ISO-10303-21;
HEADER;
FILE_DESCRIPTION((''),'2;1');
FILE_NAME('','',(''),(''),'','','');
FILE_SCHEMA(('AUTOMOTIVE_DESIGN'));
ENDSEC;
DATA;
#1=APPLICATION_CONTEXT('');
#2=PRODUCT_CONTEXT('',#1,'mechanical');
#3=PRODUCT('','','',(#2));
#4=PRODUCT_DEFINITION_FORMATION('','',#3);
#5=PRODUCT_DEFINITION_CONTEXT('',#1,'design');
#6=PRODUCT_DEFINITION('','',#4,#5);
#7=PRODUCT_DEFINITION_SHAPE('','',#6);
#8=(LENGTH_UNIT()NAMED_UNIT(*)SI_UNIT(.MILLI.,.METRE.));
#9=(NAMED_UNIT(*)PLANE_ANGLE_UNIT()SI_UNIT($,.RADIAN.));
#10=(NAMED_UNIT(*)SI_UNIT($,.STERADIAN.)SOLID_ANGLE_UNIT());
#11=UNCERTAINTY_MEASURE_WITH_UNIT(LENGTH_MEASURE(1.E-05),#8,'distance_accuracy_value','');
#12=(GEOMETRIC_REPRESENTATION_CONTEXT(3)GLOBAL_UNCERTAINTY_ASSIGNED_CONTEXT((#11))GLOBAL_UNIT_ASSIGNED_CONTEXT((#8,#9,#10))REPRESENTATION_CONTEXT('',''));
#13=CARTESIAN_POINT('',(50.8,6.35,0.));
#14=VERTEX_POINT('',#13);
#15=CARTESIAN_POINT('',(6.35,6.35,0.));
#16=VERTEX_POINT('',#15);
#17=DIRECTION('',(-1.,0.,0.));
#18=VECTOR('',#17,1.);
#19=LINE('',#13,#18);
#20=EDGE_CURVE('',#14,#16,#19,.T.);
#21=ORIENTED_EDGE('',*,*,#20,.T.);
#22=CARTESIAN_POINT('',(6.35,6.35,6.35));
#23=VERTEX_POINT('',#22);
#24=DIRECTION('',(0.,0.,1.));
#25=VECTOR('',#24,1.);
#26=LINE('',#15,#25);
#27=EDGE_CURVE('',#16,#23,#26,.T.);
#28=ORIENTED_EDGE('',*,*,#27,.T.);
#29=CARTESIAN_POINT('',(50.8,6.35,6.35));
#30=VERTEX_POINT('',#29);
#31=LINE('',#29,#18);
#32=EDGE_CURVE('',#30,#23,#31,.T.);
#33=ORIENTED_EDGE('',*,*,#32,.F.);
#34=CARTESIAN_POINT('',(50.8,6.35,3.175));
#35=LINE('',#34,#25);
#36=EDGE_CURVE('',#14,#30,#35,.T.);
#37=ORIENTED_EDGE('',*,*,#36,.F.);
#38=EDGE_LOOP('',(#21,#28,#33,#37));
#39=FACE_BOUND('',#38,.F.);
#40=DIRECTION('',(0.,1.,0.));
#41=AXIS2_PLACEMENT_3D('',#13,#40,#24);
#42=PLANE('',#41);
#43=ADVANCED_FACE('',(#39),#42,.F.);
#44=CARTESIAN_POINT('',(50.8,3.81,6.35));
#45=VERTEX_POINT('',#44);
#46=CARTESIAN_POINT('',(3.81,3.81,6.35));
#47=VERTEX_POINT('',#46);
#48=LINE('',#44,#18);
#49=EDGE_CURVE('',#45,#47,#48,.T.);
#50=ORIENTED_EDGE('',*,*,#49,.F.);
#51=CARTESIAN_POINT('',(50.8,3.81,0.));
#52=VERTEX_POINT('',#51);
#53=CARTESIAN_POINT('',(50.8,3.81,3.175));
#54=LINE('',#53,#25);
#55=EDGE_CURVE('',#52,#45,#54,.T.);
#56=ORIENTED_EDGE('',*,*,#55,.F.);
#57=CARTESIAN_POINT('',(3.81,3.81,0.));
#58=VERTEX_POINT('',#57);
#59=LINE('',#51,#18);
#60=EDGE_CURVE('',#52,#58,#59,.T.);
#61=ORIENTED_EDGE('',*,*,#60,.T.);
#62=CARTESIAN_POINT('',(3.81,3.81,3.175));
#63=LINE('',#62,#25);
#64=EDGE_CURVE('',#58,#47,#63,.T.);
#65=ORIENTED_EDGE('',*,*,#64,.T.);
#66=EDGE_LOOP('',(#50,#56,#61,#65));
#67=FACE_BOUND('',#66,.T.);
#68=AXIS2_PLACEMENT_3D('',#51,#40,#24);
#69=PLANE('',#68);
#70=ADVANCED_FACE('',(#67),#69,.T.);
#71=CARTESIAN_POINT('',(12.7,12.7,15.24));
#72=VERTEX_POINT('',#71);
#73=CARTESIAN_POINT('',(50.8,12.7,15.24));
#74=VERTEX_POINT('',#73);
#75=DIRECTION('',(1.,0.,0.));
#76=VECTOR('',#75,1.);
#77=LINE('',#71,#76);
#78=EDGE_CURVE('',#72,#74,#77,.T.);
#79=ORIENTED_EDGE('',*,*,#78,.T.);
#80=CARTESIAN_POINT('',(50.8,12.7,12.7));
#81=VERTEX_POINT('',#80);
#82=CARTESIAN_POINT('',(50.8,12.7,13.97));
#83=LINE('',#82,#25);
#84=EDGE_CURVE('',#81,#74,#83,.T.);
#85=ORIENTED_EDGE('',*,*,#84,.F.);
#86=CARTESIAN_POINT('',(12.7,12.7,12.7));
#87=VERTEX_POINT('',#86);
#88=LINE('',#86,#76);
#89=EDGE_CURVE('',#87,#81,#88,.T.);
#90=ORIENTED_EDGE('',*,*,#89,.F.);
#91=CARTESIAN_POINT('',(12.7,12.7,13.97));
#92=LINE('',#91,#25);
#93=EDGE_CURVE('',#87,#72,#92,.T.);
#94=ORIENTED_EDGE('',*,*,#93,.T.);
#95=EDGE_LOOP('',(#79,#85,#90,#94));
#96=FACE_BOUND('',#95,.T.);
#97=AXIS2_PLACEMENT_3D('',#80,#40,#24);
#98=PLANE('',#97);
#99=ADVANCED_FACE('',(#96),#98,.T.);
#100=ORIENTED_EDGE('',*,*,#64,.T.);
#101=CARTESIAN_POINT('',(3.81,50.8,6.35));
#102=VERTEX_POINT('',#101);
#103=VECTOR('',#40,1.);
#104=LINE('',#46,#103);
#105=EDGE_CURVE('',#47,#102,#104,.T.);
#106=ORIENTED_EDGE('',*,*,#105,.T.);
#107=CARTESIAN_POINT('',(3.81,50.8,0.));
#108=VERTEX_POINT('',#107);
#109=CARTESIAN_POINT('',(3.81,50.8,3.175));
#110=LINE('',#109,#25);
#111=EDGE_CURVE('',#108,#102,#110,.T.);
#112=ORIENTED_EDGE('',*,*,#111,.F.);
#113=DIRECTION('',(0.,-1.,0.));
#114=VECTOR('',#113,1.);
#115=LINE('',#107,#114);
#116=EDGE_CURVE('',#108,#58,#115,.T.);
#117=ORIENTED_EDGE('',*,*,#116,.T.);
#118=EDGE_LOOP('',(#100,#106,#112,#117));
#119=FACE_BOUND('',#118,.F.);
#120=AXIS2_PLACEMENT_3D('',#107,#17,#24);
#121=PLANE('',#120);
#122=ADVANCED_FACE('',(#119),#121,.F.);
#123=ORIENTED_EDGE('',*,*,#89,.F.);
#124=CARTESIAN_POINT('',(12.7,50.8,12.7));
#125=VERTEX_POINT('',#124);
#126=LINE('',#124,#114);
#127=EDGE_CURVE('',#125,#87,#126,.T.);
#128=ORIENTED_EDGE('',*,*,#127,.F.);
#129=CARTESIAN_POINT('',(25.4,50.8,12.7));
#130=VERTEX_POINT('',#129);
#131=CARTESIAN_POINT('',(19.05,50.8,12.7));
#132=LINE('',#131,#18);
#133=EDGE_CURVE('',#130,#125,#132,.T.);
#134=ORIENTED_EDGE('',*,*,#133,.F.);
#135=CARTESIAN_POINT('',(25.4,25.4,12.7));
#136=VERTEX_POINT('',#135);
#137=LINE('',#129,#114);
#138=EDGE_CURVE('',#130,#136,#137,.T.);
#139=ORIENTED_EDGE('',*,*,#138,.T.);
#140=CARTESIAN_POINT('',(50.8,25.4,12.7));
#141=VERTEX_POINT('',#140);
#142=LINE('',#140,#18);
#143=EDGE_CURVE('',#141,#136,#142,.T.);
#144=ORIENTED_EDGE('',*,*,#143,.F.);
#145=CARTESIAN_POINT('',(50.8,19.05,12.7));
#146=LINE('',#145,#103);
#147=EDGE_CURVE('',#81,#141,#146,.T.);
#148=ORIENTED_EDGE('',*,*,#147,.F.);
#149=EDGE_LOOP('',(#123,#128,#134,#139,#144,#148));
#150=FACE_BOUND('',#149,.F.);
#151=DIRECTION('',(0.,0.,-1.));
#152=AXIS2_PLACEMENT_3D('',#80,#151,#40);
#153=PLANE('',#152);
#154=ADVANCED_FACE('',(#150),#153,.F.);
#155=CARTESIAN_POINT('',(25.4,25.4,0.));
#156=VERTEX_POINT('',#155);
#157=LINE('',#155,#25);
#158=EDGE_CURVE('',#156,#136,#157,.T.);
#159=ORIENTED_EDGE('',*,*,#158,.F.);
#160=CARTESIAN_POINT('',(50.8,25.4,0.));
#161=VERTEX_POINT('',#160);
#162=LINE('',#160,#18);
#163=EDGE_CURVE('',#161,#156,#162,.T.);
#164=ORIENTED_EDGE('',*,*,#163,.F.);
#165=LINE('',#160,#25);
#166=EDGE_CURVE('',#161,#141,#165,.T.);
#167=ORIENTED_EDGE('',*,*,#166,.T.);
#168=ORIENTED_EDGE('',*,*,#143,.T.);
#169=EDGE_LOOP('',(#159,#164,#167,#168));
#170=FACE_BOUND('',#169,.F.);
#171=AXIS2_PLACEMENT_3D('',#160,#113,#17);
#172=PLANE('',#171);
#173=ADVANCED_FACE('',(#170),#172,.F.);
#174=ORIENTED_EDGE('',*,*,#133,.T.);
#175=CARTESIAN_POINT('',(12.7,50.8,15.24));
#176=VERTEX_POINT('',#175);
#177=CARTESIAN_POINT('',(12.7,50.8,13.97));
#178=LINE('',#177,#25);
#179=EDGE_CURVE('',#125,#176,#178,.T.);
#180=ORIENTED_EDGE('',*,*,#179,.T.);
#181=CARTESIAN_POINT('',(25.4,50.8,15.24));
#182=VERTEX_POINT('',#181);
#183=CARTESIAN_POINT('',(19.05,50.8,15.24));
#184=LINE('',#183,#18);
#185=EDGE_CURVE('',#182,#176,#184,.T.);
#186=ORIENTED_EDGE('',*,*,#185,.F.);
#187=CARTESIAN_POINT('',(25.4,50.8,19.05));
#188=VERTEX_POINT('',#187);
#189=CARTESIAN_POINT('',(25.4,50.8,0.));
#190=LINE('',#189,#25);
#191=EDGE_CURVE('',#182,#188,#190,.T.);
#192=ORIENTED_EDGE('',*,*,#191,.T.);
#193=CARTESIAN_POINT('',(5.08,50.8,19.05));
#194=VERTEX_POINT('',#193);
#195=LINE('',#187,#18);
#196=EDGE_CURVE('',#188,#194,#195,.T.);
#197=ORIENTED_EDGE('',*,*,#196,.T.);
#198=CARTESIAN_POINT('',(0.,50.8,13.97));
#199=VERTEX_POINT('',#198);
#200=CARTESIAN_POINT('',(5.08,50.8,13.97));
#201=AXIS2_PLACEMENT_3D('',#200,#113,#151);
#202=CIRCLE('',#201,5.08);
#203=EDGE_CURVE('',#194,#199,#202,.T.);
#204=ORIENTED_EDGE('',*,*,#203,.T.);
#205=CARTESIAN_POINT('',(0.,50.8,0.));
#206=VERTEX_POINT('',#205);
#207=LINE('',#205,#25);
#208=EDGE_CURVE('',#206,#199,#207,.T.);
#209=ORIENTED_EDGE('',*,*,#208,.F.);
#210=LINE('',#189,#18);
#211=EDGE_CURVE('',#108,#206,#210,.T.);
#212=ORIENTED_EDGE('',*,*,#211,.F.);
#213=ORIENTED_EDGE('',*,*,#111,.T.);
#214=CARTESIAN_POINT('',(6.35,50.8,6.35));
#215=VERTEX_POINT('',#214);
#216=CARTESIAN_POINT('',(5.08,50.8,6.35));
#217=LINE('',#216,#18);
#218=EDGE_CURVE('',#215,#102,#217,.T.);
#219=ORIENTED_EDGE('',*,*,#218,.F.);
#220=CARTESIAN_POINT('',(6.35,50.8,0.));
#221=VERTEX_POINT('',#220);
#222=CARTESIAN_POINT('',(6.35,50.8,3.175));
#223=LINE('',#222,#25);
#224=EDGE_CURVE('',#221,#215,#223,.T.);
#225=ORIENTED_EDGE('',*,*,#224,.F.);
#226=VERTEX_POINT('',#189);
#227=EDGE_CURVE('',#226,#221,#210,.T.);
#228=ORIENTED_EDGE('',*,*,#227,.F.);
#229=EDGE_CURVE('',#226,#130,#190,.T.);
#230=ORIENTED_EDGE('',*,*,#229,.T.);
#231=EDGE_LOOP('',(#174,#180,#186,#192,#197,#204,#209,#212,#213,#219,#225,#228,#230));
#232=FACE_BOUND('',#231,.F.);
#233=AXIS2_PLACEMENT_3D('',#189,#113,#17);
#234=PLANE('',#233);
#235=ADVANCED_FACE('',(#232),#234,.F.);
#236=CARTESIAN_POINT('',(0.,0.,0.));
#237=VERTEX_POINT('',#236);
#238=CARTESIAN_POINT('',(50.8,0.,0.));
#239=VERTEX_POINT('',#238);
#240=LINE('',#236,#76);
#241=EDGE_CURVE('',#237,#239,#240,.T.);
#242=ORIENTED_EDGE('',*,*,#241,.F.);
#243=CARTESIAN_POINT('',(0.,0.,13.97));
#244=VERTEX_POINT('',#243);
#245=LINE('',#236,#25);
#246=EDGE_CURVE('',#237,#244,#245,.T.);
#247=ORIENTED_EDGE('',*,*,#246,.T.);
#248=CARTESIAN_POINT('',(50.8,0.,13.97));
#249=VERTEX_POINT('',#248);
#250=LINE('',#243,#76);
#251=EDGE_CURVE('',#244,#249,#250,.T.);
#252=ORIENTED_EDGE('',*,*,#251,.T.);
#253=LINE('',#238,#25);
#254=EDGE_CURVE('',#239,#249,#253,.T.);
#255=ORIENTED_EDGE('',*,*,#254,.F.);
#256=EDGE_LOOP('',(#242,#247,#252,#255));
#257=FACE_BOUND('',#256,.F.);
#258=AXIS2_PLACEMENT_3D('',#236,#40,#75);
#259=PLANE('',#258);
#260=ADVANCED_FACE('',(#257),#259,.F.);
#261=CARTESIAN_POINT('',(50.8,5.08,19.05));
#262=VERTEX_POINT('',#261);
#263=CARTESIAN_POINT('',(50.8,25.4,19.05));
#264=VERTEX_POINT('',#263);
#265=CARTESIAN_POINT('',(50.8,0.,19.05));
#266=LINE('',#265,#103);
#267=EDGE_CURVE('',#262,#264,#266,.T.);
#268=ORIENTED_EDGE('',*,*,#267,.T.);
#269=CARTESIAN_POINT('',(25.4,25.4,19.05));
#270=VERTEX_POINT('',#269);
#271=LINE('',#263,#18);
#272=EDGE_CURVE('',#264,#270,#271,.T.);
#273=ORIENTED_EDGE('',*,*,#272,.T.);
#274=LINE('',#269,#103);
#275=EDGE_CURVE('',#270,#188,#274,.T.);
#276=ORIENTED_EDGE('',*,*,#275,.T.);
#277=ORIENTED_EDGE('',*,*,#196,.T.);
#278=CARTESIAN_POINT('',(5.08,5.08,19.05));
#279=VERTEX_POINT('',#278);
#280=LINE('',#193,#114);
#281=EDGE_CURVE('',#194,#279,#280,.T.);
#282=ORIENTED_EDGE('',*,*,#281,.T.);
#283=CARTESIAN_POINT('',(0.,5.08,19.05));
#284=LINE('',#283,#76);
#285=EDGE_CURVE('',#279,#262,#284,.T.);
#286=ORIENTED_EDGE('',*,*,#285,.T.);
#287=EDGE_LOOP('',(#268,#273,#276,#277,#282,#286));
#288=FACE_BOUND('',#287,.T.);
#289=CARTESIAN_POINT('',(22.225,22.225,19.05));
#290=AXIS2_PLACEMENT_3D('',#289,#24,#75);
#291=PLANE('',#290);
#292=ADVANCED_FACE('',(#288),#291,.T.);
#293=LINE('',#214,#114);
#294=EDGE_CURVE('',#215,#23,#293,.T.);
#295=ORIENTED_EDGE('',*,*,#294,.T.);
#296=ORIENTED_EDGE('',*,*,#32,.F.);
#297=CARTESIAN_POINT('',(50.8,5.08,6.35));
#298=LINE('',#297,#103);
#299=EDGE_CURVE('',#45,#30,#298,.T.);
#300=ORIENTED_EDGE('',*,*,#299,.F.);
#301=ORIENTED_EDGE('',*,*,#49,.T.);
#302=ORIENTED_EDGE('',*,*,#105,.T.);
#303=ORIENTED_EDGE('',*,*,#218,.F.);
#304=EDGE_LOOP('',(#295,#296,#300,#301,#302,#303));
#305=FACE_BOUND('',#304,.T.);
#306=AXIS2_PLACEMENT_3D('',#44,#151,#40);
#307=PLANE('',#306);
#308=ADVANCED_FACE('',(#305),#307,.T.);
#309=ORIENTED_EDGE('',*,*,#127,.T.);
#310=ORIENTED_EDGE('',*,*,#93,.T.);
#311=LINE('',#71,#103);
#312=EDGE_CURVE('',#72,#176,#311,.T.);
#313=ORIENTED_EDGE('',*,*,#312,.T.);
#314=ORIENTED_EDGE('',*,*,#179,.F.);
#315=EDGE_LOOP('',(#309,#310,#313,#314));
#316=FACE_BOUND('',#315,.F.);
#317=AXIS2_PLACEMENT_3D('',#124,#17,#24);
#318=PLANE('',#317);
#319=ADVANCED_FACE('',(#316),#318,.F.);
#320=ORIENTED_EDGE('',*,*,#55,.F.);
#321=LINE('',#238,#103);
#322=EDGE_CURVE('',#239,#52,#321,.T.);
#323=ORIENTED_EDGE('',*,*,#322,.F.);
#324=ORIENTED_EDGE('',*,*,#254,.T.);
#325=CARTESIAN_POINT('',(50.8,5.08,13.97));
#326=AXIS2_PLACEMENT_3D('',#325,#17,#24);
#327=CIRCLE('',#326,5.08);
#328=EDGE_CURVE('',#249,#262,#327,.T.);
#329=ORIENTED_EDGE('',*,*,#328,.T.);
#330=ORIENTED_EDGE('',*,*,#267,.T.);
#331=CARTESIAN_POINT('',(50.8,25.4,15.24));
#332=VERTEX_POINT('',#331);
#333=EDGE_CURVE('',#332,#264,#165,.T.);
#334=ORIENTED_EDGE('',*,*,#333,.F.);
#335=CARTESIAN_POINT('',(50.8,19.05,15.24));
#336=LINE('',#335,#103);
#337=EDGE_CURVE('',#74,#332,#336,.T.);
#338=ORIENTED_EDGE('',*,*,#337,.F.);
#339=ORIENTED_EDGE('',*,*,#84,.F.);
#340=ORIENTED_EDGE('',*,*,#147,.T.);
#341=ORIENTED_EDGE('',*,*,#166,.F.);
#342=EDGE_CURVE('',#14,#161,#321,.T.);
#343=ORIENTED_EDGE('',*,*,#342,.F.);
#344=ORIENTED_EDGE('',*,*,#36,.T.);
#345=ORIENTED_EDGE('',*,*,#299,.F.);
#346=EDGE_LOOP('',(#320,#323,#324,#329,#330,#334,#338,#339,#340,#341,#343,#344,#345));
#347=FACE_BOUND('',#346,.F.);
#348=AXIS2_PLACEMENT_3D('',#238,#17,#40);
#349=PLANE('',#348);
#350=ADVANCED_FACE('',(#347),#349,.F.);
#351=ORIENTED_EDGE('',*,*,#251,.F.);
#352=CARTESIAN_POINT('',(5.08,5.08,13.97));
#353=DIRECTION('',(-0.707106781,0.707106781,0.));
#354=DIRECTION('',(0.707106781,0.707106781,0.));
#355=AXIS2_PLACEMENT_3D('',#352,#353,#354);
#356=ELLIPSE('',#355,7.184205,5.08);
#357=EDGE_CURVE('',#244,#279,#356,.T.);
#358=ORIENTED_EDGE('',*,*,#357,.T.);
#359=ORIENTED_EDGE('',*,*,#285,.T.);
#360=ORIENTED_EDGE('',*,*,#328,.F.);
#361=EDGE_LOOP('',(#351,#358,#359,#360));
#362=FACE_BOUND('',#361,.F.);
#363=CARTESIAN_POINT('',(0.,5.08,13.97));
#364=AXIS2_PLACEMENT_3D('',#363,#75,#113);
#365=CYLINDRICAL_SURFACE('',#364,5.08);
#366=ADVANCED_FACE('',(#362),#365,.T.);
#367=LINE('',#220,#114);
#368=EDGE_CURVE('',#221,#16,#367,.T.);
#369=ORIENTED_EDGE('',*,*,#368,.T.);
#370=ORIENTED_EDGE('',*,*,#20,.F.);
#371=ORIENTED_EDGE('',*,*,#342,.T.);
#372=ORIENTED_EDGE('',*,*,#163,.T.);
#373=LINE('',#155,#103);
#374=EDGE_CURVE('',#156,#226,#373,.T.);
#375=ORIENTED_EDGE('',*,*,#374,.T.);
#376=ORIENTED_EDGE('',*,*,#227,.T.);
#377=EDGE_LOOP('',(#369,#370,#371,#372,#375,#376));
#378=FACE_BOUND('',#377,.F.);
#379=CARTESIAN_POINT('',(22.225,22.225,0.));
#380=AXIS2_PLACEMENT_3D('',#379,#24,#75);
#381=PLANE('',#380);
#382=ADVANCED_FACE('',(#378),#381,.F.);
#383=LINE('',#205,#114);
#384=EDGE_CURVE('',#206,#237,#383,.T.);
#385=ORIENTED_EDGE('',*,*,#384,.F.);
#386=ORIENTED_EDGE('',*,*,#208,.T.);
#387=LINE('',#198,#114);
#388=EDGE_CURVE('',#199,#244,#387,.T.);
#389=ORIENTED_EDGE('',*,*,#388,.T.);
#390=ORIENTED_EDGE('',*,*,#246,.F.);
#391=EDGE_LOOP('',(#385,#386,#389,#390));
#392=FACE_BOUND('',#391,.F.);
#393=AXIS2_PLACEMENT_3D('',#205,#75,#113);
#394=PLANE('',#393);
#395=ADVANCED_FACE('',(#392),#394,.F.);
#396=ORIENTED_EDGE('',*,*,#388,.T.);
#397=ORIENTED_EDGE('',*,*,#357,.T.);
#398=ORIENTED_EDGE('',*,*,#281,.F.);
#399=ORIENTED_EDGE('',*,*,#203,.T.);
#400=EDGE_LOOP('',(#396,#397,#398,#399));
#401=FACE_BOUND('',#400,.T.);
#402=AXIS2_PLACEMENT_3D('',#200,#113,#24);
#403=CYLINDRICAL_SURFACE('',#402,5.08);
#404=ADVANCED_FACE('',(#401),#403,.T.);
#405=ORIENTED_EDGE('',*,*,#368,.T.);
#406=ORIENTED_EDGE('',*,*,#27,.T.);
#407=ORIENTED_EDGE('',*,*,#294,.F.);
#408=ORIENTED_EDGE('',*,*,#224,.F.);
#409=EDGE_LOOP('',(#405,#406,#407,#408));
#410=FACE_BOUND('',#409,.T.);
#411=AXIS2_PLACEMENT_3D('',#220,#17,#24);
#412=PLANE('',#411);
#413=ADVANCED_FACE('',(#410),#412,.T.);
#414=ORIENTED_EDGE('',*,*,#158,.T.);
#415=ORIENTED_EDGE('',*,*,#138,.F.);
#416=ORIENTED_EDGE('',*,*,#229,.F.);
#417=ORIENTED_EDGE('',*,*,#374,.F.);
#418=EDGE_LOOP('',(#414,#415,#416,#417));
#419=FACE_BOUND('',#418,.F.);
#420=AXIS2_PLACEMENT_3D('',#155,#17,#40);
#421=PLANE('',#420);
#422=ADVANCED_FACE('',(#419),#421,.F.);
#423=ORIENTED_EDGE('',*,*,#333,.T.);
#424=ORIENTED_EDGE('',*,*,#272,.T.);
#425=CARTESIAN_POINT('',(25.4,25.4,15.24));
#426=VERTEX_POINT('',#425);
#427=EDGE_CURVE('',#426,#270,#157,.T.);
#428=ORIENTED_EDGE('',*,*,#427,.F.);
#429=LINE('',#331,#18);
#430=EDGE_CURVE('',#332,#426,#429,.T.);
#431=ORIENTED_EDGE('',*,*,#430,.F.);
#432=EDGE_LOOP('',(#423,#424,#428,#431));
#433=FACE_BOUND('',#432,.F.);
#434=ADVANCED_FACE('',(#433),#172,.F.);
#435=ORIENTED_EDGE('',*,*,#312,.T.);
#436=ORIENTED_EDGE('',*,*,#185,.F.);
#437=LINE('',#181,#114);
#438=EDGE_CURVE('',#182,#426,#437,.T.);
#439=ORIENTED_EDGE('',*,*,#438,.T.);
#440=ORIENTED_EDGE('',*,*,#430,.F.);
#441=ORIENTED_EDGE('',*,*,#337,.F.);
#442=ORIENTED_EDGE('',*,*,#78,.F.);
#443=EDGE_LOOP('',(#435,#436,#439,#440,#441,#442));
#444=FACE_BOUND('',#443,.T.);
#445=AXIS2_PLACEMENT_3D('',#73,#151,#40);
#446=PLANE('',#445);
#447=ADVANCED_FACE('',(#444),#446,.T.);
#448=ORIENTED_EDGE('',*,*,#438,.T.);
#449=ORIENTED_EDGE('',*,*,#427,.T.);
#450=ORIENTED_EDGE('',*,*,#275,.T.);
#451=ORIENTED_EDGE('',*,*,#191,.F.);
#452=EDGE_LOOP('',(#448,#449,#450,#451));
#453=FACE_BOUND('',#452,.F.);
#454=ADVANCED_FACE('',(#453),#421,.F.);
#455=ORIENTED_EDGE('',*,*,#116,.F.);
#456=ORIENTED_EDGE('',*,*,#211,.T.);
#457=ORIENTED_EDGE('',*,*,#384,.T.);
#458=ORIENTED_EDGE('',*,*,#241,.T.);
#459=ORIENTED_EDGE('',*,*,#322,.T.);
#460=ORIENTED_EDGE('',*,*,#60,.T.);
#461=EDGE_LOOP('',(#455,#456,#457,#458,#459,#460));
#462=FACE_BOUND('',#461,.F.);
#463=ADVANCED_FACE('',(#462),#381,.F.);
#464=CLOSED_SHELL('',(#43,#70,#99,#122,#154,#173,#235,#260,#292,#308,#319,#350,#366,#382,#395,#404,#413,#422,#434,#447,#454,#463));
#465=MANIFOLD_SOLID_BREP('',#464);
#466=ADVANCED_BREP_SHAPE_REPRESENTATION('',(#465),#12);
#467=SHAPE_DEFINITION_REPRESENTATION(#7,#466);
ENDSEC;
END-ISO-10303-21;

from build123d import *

# Parameters (mm, degrees)
F1_DEPTH = 19.05
F2_W     = 2.54
F2_H     = 6.35
F3_DEPTH = 46.99
F2_W_2   = 12.7
F2_H_2   = 2.54
F4_DEPTH = 38.1
F5_W     = 12.7
F5_H     = 2.54
F6_DEPTH = 38.1
F5_W_2   = 2.54
F5_H_2   = 6.35
F7_DEPTH = 46.736
F8_R     = 5.08


with BuildPart() as f1:
    # F0 (on Top) → F1 (new body)
    with BuildSketch(Plane.XY):
        Polygon((0, 25.4), (0, 0), (25.4, 0), (50.8, 0), (50.8, 25.4), (25.4, 25.4), (25.4, 50.8), (0, 50.8), align=None)
    extrude(amount=F1_DEPTH)

    # F2 (on face) → F3 (cut)
    with BuildSketch(Plane.YZ.offset(50.8)):
        with Locations((5.08, 3.175)):
            Rectangle(F2_W, F2_H)
    extrude(amount=-F3_DEPTH, mode=Mode.SUBTRACT)

    # F2 (on face) → F4 (cut)
    with BuildSketch(Plane.YZ.offset(50.8)):
        with Locations((19.05, 13.97)):
            Rectangle(F2_W_2, F2_H_2)
    extrude(amount=-F4_DEPTH, mode=Mode.SUBTRACT)

    # F5 (on face) → F6 (cut)
    with BuildSketch(Plane(origin=(0, 50.8, 0), x_dir=(-1, 0, 0), z_dir=(0, 1, 0))):
        with Locations((-19.05, 13.97)):
            Rectangle(F5_W, F5_H)
    extrude(amount=-F6_DEPTH, mode=Mode.SUBTRACT)

    # F5 (on face) → F7 (cut)
    with BuildSketch(Plane(origin=(0, 50.8, 0), x_dir=(-1, 0, 0), z_dir=(0, 1, 0))):
        with Locations((-5.08, 3.175)):
            Rectangle(F5_W_2, F5_H_2)
    extrude(amount=-F7_DEPTH, mode=Mode.SUBTRACT)

    # F8
    f8_edges = [f1.edges().sort_by_distance(p)[0] for p in [
        (25.4, 0, 19.05),
        (0, 25.4, 19.05),
    ]]
    fillet(f8_edges, radius=F8_R)


solid = f1.part
